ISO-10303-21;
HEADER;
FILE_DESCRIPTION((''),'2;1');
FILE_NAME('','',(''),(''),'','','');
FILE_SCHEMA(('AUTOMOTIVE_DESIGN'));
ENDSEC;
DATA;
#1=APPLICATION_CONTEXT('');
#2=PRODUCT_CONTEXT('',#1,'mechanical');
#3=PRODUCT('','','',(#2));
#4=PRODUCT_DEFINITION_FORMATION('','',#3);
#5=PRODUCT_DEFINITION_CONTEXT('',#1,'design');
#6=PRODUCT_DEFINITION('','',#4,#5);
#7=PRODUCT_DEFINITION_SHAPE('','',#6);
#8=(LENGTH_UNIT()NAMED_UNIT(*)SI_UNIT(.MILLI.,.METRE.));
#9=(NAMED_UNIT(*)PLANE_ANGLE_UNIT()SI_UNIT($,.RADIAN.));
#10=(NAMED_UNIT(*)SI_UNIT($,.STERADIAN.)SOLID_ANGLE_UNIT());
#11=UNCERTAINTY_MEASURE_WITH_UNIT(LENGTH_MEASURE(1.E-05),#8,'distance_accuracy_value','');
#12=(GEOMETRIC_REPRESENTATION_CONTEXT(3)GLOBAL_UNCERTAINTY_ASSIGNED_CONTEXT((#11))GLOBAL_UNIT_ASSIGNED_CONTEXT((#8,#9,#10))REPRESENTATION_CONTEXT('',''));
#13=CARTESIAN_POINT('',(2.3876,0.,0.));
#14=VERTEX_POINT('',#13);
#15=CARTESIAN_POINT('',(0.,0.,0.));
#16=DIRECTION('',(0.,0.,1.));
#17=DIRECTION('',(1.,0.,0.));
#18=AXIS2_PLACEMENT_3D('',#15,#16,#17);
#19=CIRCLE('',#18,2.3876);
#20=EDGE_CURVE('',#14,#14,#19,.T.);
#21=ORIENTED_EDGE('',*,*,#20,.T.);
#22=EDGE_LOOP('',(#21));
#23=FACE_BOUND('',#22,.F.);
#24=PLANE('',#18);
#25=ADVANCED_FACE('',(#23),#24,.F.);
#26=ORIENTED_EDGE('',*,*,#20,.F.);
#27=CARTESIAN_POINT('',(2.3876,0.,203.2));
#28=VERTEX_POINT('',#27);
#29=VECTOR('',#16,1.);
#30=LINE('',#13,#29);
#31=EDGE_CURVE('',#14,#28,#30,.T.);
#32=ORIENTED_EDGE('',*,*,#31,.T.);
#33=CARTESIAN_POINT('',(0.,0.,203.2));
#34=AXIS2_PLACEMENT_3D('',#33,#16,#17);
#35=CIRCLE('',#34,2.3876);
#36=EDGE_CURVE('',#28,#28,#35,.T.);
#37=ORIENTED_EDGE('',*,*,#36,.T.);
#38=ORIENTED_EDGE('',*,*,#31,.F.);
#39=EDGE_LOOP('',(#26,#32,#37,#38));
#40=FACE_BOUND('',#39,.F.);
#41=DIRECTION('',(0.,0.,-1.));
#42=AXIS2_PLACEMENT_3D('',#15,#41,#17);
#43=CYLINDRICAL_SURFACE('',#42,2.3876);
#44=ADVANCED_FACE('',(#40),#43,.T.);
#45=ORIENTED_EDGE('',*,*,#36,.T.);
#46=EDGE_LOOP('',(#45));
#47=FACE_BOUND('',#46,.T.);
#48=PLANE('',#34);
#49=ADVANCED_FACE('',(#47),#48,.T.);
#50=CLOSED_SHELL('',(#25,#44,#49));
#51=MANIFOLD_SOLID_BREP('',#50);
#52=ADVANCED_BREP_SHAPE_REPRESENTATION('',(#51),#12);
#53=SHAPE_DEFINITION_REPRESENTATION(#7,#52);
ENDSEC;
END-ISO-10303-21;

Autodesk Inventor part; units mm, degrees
ref_plane "YZ Plane" through (0, 0, 0) normal (1, 0, 0) x (0, 1, 0)
ref_plane "XZ Plane" through (0, 0, 0) normal (0, 1, 0) x (-1, 0, 0)
ref_plane "XY Plane" through (0, 0, 0) normal (0, 0, 1) x (1, 0, 0)
sketch "Sketch1" plane through (0, 0, 0) normal (0, 0, 1) x (1, 0, 0)
  circle A0 centre (0, 0) radius 2.3876
  dimension "d0" = 4.7752
extrude "Extrusion1" add sketch "Sketch1" along normal blind 203.2
properties part number "6InchAx"
